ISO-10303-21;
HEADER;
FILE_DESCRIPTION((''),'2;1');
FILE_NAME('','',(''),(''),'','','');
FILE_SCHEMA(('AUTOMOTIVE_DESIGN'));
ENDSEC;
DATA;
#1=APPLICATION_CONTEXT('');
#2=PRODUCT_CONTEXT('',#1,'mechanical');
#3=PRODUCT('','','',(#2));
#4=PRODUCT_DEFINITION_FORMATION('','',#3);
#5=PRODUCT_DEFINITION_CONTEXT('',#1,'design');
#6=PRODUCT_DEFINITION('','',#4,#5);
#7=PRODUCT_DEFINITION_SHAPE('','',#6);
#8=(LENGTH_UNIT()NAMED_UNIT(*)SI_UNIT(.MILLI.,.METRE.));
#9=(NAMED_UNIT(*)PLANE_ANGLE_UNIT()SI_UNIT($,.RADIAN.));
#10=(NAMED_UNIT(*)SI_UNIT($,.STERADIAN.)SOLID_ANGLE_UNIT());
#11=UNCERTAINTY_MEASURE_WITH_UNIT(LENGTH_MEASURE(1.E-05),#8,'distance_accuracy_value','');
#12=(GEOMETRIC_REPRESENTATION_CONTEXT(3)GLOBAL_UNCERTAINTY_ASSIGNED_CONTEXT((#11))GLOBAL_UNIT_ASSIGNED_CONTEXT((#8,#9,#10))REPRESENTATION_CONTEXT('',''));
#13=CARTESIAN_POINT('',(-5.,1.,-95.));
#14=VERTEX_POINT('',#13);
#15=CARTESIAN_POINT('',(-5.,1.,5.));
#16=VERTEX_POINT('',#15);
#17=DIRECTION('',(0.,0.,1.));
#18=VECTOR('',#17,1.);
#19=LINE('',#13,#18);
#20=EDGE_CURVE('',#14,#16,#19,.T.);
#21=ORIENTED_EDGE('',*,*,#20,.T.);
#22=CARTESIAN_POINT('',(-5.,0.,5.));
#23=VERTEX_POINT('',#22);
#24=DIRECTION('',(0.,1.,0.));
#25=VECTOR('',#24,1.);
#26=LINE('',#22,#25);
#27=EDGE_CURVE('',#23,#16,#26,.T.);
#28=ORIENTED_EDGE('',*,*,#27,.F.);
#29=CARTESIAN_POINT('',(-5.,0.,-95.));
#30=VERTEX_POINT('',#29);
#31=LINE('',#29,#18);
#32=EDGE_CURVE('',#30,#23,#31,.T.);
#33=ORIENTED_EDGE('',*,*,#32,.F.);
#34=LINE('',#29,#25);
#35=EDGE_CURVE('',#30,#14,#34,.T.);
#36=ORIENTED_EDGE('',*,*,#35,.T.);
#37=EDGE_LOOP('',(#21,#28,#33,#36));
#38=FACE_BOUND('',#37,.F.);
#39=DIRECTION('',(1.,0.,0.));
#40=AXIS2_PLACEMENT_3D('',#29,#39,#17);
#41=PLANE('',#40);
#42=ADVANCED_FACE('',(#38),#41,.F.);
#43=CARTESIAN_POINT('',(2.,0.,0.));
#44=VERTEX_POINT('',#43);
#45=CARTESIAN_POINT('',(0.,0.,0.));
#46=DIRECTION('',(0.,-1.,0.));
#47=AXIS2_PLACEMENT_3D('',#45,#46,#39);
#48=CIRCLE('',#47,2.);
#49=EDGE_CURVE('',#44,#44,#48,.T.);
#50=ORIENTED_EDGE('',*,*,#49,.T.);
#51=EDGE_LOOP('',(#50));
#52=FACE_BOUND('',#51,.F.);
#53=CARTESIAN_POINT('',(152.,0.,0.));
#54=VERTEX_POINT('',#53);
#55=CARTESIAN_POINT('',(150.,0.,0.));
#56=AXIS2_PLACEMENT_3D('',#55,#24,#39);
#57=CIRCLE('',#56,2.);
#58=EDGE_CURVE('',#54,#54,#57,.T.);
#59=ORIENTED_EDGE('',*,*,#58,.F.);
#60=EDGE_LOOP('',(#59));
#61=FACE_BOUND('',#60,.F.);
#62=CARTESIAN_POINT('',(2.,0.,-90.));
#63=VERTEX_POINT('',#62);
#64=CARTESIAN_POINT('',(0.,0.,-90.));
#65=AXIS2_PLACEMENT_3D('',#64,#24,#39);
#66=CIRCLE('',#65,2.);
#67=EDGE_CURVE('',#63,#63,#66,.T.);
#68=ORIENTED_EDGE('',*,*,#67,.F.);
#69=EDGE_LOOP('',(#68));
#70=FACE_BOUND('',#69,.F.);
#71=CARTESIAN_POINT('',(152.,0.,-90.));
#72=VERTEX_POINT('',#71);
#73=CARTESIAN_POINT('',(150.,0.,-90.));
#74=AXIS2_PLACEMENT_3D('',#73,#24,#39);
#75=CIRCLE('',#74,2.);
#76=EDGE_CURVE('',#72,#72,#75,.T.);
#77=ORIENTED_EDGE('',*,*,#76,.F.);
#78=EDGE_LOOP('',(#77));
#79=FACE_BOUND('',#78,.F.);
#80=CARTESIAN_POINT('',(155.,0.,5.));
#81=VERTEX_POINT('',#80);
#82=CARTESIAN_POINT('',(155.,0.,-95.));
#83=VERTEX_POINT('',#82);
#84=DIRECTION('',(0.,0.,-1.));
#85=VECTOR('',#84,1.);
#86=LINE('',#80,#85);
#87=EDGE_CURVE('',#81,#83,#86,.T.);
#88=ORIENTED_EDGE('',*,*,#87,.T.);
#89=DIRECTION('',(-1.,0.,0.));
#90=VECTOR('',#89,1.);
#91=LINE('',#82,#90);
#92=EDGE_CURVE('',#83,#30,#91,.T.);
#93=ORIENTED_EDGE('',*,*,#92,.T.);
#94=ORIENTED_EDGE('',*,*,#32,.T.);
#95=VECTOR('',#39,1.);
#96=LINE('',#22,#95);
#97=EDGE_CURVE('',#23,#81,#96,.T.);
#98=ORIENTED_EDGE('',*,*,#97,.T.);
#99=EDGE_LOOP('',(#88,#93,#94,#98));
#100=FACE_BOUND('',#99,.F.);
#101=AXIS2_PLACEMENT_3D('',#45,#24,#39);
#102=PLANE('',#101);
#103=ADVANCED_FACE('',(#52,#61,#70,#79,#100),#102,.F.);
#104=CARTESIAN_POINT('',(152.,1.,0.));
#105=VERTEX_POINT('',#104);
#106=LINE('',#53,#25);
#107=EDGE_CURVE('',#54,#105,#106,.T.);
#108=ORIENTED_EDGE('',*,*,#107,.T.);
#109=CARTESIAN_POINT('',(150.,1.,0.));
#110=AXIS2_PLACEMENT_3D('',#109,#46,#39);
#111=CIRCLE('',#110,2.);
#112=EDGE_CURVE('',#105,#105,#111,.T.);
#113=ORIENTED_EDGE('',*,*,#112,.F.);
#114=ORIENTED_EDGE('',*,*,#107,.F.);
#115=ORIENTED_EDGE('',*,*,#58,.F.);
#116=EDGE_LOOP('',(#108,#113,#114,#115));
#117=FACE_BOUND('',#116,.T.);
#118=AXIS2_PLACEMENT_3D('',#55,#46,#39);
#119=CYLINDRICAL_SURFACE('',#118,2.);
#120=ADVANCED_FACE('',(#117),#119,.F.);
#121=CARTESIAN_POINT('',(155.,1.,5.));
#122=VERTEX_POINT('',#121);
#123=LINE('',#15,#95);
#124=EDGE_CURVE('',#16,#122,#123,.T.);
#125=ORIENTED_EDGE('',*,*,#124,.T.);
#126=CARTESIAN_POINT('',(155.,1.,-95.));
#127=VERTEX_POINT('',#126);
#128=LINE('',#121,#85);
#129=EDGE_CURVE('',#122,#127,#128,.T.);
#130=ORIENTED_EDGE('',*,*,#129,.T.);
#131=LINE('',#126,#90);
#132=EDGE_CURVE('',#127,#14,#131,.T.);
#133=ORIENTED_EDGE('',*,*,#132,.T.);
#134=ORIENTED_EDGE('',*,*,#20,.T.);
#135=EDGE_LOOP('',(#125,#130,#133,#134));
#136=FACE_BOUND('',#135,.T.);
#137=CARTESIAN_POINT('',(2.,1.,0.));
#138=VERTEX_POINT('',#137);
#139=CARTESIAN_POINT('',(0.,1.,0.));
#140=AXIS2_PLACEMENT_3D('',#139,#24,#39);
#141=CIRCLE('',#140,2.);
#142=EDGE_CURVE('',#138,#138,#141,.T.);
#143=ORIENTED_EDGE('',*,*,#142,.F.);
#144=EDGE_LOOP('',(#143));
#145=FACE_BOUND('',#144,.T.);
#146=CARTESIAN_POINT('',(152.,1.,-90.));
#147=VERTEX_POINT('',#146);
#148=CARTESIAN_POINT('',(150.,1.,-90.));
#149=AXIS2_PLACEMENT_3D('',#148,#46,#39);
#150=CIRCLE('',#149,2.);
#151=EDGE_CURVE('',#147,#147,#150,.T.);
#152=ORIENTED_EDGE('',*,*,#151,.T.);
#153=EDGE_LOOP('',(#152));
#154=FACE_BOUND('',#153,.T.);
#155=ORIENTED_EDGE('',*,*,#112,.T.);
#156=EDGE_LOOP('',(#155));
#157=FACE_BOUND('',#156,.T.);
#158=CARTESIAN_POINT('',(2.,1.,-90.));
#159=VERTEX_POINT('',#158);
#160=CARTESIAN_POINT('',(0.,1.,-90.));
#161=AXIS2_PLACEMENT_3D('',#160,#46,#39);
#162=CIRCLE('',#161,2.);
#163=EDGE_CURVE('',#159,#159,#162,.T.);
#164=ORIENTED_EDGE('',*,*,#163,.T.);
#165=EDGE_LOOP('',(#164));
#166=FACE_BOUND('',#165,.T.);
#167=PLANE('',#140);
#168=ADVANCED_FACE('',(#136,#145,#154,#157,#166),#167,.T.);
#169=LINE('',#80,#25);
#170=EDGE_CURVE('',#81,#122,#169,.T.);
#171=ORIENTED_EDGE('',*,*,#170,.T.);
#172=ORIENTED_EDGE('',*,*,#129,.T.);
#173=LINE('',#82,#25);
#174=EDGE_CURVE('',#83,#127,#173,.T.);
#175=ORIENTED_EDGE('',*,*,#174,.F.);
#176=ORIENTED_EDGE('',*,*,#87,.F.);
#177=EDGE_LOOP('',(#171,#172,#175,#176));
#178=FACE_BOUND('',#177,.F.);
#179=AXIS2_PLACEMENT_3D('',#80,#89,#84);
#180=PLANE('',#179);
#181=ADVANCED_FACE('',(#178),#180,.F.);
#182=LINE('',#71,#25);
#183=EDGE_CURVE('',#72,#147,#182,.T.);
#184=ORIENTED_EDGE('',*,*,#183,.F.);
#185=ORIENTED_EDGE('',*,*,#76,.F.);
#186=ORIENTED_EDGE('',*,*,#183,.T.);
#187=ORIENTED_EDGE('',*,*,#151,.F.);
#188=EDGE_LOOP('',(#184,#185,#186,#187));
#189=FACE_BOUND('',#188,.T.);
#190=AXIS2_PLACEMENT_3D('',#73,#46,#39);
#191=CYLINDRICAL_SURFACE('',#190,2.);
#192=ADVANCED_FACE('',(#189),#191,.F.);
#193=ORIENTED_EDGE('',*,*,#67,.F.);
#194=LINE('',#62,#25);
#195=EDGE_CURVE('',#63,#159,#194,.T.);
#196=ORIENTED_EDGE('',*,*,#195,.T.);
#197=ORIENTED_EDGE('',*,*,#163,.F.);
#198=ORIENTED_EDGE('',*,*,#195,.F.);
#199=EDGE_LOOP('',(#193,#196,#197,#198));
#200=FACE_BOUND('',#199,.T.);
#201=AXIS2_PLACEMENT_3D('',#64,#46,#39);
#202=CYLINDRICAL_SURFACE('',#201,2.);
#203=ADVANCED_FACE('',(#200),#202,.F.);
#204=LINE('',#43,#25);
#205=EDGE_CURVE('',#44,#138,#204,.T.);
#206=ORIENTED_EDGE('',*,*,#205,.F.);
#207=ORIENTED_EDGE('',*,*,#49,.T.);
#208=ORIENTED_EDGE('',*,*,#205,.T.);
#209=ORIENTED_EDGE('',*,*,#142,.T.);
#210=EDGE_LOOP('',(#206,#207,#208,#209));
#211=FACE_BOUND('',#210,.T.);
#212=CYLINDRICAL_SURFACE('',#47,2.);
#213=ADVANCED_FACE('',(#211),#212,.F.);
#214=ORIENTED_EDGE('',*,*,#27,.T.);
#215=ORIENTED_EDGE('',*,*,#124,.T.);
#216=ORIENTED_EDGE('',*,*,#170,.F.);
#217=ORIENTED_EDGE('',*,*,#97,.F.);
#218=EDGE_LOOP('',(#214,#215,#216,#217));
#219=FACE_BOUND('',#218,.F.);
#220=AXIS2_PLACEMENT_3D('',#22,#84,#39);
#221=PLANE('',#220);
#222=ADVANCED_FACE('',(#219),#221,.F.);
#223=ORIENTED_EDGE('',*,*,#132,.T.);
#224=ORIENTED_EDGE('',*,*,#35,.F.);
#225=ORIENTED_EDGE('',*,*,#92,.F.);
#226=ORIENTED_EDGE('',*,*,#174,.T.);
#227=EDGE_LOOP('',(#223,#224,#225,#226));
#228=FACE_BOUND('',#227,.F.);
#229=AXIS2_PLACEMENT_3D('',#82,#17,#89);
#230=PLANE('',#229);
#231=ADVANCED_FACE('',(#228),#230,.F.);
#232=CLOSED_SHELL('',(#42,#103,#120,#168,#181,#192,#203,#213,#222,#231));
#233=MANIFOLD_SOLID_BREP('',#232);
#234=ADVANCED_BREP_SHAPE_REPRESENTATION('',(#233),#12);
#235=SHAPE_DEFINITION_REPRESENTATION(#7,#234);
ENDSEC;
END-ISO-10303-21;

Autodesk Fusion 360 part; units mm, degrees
sketch "Sketch1" plane through (0, 0, 0) normal (0, 1, 0) x (1, 0, 0)
  line L0 (0, 0) -> (150, 0)
  line L1 (150, 0) -> (150, 90)
  line L2 (150, 90) -> (0, 90)
  line L3 (0, 90) -> (0, 0)
  circle A0 centre (0, 90) radius 2
  circle A1 centre (0, 0) radius 2
  circle A2 centre (150, 0) radius 2
  circle A3 centre (150, 90) radius 2
  line L4 (-5, -5) -> (155, -5)
  line L5 (155, -5) -> (155, 95)
  line L6 (155, 95) -> (-5, 95)
  line L7 (-5, 95) -> (-5, -5)
  dimension "d1" = 150
  dimension "d2" = 90
  dimension "d3" = 5
  dimension "d4" = 4
extrude "Extrude1" add sketch "Sketch1" along normal blind 1 contours L0 L1 L2 L3 A0 A1 A2 A3 | L4 L5 L6 L7
